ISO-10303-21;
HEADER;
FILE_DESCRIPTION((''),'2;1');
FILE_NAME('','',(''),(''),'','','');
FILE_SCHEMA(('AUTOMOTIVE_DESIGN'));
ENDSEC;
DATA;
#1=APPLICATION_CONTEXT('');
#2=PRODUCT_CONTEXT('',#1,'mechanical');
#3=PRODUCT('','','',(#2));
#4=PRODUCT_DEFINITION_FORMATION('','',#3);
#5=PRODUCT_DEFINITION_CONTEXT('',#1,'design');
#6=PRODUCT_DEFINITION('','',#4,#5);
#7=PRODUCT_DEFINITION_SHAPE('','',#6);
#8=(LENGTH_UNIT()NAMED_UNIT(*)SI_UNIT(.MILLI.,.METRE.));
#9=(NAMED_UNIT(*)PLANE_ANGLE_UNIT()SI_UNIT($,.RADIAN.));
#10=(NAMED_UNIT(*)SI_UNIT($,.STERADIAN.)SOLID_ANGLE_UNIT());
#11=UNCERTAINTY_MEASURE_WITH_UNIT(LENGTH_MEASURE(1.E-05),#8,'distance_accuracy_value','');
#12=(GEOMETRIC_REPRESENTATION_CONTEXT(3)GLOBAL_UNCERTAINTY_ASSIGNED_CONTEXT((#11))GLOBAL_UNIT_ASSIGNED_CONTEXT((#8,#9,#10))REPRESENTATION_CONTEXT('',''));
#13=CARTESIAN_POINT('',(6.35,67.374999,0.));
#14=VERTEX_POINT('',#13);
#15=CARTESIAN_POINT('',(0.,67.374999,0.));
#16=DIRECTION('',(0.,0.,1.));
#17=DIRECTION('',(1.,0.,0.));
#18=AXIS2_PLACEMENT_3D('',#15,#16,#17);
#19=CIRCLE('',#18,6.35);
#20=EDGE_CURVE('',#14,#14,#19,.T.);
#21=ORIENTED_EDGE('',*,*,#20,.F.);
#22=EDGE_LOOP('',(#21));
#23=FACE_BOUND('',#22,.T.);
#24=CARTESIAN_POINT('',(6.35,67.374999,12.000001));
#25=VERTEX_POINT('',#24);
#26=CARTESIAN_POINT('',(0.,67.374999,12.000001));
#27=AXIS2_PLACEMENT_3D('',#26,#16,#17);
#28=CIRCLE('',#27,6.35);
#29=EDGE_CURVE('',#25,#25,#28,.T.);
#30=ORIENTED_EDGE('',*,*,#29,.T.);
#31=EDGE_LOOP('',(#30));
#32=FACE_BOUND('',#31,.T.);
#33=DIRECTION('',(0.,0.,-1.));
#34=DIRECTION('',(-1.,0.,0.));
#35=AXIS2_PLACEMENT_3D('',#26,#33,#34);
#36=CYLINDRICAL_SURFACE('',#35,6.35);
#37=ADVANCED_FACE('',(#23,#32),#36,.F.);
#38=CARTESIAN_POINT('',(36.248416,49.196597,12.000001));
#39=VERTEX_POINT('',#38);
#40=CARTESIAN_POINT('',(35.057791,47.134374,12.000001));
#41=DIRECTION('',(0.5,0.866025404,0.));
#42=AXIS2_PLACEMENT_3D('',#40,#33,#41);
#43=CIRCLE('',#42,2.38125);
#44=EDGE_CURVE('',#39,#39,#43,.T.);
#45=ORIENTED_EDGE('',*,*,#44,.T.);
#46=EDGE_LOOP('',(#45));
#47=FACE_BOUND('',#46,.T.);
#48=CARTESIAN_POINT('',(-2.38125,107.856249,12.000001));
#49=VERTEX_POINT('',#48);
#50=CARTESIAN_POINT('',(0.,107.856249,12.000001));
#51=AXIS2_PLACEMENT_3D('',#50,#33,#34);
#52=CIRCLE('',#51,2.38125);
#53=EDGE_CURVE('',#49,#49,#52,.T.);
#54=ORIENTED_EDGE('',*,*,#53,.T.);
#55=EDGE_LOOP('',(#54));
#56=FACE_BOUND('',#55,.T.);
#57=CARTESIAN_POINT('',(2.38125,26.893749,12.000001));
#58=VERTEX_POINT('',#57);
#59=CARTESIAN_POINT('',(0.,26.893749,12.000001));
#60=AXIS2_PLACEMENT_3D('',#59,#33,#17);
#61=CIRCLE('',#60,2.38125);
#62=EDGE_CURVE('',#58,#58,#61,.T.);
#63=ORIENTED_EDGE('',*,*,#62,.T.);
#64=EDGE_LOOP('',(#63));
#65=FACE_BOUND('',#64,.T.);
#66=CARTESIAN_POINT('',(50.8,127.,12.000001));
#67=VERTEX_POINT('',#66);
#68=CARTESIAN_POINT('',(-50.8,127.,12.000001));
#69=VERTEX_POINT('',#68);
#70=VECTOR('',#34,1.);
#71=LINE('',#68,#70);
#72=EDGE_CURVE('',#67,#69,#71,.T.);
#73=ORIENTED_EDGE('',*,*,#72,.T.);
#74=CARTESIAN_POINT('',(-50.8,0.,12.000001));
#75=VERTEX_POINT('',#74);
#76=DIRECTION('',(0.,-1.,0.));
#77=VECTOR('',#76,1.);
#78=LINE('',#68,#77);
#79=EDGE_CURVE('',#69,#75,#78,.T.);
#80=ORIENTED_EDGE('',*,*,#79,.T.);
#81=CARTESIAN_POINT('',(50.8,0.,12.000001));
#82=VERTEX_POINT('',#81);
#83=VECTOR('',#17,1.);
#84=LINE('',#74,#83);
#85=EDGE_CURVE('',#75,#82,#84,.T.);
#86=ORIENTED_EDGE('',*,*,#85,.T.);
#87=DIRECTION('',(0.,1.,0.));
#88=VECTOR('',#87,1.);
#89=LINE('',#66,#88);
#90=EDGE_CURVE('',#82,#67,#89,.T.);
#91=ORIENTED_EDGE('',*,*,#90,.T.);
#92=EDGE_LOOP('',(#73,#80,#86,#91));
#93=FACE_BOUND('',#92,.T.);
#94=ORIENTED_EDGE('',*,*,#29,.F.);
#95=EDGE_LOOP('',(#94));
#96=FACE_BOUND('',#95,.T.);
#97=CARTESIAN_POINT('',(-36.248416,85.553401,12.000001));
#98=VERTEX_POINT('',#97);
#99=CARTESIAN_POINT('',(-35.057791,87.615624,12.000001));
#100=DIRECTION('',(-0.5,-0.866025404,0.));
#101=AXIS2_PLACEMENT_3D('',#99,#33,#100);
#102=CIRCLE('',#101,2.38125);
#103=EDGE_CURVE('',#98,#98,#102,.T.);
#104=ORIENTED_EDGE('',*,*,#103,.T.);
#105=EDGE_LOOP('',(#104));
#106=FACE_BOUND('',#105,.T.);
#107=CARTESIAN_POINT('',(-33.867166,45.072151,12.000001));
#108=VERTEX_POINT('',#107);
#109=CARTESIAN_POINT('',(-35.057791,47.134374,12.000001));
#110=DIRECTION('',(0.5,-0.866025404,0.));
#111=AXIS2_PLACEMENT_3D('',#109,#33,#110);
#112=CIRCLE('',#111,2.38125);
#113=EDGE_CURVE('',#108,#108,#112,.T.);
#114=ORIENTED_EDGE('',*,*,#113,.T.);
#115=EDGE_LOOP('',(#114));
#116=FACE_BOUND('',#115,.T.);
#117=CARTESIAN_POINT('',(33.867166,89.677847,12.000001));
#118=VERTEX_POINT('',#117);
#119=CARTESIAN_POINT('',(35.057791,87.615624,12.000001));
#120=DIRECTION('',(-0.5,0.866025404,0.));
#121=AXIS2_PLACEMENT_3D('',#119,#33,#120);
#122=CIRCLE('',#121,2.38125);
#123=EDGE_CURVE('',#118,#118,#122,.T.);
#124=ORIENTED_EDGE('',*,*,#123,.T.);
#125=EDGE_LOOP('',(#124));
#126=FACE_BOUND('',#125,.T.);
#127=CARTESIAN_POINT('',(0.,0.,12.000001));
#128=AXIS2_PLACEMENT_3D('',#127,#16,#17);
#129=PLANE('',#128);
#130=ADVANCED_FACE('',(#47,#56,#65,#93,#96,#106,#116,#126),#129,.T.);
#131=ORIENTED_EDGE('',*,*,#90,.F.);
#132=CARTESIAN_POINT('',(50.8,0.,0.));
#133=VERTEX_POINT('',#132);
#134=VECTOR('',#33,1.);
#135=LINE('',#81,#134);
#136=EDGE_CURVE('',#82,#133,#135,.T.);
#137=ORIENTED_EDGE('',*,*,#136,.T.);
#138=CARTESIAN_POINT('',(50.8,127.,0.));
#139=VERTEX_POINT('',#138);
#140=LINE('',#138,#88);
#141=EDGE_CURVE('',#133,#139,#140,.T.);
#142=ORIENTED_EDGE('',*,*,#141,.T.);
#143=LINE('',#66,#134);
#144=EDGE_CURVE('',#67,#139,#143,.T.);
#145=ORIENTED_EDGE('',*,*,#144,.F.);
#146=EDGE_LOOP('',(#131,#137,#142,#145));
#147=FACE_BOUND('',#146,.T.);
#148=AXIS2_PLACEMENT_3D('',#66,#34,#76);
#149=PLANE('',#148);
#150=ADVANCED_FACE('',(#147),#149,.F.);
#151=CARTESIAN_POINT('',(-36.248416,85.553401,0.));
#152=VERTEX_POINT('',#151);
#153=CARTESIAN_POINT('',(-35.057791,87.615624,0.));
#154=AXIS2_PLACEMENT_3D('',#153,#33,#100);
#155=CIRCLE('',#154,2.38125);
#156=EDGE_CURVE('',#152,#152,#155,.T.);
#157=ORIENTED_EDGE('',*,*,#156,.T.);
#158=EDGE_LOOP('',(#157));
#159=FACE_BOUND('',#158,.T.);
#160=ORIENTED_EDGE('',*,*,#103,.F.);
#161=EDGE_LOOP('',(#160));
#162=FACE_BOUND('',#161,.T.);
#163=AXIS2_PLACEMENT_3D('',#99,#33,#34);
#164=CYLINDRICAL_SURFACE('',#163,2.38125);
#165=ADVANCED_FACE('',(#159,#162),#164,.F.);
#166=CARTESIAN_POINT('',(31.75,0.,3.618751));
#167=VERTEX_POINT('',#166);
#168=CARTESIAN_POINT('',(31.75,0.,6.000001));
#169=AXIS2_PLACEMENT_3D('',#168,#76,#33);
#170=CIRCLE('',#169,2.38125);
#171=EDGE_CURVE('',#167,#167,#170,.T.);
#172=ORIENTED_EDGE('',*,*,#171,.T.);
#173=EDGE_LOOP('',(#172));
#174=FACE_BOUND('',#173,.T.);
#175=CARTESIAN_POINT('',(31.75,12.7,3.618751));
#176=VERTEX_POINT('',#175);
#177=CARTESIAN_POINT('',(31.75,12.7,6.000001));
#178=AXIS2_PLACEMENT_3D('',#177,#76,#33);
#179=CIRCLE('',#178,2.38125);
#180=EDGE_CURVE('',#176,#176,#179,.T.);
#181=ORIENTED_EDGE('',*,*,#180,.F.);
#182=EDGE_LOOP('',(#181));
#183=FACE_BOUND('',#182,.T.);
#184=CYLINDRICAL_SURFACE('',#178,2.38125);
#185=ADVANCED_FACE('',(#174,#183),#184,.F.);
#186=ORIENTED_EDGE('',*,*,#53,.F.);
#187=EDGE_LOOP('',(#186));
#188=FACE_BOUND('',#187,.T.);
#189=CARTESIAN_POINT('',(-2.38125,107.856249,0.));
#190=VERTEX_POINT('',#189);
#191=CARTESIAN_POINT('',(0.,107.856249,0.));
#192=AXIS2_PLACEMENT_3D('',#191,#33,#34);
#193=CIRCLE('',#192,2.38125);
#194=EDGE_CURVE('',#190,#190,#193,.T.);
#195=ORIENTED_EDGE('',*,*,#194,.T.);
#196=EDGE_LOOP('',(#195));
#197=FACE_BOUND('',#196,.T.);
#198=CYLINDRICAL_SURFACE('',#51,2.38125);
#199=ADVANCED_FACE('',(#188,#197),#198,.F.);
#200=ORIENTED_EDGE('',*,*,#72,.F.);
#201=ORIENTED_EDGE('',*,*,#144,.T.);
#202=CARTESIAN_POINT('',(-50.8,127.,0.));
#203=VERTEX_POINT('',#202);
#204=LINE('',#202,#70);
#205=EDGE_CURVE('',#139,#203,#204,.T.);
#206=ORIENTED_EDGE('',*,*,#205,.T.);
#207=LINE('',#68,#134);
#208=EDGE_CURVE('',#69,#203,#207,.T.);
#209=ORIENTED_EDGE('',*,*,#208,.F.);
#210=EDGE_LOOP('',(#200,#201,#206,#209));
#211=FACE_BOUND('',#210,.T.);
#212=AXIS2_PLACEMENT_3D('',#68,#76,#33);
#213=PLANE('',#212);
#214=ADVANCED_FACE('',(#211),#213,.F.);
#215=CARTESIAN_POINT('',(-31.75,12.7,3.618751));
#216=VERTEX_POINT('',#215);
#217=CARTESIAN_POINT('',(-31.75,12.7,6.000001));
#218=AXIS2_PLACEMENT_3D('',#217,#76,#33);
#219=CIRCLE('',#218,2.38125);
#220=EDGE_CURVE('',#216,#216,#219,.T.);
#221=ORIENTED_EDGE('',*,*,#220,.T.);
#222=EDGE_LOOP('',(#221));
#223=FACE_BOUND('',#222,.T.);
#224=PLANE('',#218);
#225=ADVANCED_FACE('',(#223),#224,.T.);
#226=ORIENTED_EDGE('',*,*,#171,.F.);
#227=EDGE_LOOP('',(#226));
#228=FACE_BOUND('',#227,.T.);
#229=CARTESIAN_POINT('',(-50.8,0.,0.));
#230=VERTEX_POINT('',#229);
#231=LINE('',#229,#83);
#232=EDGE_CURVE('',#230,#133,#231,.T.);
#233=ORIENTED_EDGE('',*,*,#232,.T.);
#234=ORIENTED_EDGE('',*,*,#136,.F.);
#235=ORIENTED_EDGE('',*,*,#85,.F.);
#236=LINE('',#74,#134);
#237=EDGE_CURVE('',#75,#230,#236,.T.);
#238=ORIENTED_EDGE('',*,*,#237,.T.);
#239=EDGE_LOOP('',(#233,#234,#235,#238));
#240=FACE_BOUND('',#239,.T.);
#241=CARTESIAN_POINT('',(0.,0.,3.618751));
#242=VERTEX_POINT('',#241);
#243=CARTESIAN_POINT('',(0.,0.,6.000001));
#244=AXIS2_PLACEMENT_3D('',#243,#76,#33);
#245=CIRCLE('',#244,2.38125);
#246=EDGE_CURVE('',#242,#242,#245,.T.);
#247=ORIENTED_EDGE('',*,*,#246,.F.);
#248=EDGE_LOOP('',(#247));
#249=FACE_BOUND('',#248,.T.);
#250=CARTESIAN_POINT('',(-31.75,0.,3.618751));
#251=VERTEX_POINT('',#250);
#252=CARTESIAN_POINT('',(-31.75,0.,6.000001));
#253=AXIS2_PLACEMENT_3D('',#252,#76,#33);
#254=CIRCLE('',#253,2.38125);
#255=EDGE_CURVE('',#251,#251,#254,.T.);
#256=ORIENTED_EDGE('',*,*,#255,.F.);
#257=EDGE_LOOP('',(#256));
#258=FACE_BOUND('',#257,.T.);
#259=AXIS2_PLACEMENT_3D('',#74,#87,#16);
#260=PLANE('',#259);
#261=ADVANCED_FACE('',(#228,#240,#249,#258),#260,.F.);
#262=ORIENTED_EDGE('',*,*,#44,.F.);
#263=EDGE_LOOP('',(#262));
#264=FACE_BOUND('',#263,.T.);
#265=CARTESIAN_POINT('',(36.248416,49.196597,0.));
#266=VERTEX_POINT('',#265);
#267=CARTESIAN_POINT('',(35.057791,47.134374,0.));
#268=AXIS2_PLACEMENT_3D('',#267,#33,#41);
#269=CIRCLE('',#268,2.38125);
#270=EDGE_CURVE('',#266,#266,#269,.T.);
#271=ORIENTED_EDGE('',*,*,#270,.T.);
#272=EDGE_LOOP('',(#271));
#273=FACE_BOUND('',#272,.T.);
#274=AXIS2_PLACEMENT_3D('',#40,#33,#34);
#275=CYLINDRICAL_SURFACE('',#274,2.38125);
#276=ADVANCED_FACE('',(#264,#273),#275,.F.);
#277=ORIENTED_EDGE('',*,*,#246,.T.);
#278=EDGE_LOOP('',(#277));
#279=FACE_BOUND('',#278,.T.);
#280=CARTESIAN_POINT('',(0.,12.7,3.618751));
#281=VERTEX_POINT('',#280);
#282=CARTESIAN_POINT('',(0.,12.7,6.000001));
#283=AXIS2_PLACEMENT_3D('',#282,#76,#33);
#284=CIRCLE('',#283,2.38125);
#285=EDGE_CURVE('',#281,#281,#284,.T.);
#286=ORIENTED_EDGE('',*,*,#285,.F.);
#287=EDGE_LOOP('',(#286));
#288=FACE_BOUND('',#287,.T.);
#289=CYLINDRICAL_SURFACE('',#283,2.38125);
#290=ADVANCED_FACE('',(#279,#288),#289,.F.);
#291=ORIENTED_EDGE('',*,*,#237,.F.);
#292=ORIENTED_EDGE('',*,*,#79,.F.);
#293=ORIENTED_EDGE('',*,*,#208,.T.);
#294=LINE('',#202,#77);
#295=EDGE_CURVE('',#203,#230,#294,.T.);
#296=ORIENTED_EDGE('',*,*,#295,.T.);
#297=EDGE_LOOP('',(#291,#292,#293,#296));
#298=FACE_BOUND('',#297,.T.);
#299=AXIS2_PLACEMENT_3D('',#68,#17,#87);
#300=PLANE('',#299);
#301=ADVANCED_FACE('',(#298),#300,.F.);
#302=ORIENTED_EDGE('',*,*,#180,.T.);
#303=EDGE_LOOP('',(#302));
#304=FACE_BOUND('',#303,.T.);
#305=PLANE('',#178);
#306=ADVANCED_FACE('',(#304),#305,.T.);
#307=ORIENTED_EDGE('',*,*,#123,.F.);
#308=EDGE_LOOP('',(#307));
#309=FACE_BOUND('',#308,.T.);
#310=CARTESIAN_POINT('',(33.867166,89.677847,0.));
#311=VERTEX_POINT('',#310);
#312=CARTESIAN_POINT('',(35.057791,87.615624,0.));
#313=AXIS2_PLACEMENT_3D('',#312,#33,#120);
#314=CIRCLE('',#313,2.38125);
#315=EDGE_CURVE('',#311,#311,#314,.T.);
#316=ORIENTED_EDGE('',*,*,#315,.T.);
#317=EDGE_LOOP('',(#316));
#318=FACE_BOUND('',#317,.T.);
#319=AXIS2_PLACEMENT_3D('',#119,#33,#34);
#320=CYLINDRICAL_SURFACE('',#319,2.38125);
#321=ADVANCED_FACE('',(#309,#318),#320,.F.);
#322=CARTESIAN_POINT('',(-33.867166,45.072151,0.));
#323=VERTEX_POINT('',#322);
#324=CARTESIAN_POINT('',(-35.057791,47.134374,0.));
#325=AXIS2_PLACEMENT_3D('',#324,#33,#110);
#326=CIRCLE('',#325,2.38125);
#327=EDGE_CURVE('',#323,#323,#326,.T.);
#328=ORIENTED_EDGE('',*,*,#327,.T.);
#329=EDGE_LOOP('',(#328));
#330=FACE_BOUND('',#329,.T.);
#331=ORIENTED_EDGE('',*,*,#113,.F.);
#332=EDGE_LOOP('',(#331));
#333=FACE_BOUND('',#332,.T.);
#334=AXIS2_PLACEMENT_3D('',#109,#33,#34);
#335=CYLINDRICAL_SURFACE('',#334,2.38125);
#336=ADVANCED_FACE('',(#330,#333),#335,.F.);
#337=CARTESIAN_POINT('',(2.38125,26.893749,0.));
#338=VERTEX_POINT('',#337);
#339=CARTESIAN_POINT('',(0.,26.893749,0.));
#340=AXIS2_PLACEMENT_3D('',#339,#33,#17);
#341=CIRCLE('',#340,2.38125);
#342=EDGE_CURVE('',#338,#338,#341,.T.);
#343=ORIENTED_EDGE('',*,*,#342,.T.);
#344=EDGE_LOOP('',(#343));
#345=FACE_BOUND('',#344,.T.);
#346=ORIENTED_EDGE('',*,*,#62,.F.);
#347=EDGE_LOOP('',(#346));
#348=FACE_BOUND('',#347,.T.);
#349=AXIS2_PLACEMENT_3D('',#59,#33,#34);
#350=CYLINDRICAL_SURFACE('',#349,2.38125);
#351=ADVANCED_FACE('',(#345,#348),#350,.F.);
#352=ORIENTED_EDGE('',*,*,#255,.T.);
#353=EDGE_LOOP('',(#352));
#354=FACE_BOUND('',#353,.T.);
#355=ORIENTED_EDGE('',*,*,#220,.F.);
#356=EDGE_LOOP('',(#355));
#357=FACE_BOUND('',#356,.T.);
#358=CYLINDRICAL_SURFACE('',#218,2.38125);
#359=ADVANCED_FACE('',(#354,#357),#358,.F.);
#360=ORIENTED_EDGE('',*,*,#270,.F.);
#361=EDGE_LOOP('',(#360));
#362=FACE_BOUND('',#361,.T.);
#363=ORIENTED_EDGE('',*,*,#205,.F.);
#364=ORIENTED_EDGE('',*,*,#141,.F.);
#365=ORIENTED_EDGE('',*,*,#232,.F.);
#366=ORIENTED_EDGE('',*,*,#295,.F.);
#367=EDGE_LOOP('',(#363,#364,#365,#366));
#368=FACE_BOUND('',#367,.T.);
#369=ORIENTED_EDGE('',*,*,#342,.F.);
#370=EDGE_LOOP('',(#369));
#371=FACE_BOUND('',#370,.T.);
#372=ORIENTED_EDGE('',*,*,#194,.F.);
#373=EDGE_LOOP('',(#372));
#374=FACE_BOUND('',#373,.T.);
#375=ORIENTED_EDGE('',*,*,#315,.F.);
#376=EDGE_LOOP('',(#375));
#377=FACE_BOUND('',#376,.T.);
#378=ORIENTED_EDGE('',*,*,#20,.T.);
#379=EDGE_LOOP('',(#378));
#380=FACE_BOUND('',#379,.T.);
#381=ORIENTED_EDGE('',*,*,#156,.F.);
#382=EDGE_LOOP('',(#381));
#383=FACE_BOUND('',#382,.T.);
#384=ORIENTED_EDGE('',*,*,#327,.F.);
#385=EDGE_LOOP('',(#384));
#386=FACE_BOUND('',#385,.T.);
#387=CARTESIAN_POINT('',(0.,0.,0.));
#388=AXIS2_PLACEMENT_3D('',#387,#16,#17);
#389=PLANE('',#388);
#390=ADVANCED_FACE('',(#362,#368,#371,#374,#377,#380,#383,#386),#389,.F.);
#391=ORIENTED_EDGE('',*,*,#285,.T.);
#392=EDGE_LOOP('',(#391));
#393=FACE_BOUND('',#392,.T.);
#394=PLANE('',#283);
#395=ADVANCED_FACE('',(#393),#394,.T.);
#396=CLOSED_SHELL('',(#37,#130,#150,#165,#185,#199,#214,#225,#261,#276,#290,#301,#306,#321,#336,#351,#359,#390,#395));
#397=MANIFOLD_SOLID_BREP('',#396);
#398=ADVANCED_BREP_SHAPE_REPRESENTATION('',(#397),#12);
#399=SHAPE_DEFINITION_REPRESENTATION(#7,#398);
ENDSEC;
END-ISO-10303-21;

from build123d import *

# Parameters (mm, degrees)
SKETCH1_W           = 101.6
SKETCH1_H           = 127
SKETCH1_R           = 6.35
BOSS_EXTRUDE1_DEPTH = 12.0000014
SKETCH2_R           = 2.38125
CUT_EXTRUDE1_DEPTH  = 138.308557758
CIRPATTERN1_COUNT   = 6
SKETCH3_R           = 2.38125
CUT_EXTRUDE2_DEPTH  = 12.7


with BuildPart() as part:
    # Sketch1 → Boss-Extrude1 (new body)
    with BuildSketch(Plane.XY):
        with Locations((0, 63.5)):
            Rectangle(SKETCH1_W, SKETCH1_H)
        with Locations((0, 67.3749986)):
            Circle(SKETCH1_R, mode=Mode.SUBTRACT)
    extrude(amount=BOSS_EXTRUDE1_DEPTH)

    # Sketch2 → Cut-Extrude1 (cut, through all)
    with BuildSketch(Plane(origin=(0, 0, 0), x_dir=(-1, 0, 0), z_dir=(0, 0, -1))):
        with Locations((0, 107.8562486)):
            Circle(SKETCH2_R)
    cut_extrude1 = extrude(amount=-CUT_EXTRUDE1_DEPTH, mode=Mode.SUBTRACT)

    # CirPattern1: Cut-Extrude1 ×6 about axis
    cirpattern1_axis = Axis((0, 67.3749986, 0), (0, 0, 1))
    for i in range(1, CIRPATTERN1_COUNT):
        add(cut_extrude1.rotate(cirpattern1_axis, i * 360 / CIRPATTERN1_COUNT), mode=Mode.SUBTRACT)

    # Sketch3 → Cut-Extrude2 (cut)
    with BuildSketch(Plane.XZ):
        with Locations(Location((31.75, 6.0000007, 0), (0, 0, 270))):
            Circle(SKETCH3_R)
        with Locations(Location((0, 6.0000007, 0), (0, 0, 270))):
            Circle(SKETCH3_R)
        with Locations(Location((-31.75, 6.0000007, 0), (0, 0, 270))):
            Circle(SKETCH3_R)
    extrude(amount=-CUT_EXTRUDE2_DEPTH, mode=Mode.SUBTRACT)


solid = part.part
